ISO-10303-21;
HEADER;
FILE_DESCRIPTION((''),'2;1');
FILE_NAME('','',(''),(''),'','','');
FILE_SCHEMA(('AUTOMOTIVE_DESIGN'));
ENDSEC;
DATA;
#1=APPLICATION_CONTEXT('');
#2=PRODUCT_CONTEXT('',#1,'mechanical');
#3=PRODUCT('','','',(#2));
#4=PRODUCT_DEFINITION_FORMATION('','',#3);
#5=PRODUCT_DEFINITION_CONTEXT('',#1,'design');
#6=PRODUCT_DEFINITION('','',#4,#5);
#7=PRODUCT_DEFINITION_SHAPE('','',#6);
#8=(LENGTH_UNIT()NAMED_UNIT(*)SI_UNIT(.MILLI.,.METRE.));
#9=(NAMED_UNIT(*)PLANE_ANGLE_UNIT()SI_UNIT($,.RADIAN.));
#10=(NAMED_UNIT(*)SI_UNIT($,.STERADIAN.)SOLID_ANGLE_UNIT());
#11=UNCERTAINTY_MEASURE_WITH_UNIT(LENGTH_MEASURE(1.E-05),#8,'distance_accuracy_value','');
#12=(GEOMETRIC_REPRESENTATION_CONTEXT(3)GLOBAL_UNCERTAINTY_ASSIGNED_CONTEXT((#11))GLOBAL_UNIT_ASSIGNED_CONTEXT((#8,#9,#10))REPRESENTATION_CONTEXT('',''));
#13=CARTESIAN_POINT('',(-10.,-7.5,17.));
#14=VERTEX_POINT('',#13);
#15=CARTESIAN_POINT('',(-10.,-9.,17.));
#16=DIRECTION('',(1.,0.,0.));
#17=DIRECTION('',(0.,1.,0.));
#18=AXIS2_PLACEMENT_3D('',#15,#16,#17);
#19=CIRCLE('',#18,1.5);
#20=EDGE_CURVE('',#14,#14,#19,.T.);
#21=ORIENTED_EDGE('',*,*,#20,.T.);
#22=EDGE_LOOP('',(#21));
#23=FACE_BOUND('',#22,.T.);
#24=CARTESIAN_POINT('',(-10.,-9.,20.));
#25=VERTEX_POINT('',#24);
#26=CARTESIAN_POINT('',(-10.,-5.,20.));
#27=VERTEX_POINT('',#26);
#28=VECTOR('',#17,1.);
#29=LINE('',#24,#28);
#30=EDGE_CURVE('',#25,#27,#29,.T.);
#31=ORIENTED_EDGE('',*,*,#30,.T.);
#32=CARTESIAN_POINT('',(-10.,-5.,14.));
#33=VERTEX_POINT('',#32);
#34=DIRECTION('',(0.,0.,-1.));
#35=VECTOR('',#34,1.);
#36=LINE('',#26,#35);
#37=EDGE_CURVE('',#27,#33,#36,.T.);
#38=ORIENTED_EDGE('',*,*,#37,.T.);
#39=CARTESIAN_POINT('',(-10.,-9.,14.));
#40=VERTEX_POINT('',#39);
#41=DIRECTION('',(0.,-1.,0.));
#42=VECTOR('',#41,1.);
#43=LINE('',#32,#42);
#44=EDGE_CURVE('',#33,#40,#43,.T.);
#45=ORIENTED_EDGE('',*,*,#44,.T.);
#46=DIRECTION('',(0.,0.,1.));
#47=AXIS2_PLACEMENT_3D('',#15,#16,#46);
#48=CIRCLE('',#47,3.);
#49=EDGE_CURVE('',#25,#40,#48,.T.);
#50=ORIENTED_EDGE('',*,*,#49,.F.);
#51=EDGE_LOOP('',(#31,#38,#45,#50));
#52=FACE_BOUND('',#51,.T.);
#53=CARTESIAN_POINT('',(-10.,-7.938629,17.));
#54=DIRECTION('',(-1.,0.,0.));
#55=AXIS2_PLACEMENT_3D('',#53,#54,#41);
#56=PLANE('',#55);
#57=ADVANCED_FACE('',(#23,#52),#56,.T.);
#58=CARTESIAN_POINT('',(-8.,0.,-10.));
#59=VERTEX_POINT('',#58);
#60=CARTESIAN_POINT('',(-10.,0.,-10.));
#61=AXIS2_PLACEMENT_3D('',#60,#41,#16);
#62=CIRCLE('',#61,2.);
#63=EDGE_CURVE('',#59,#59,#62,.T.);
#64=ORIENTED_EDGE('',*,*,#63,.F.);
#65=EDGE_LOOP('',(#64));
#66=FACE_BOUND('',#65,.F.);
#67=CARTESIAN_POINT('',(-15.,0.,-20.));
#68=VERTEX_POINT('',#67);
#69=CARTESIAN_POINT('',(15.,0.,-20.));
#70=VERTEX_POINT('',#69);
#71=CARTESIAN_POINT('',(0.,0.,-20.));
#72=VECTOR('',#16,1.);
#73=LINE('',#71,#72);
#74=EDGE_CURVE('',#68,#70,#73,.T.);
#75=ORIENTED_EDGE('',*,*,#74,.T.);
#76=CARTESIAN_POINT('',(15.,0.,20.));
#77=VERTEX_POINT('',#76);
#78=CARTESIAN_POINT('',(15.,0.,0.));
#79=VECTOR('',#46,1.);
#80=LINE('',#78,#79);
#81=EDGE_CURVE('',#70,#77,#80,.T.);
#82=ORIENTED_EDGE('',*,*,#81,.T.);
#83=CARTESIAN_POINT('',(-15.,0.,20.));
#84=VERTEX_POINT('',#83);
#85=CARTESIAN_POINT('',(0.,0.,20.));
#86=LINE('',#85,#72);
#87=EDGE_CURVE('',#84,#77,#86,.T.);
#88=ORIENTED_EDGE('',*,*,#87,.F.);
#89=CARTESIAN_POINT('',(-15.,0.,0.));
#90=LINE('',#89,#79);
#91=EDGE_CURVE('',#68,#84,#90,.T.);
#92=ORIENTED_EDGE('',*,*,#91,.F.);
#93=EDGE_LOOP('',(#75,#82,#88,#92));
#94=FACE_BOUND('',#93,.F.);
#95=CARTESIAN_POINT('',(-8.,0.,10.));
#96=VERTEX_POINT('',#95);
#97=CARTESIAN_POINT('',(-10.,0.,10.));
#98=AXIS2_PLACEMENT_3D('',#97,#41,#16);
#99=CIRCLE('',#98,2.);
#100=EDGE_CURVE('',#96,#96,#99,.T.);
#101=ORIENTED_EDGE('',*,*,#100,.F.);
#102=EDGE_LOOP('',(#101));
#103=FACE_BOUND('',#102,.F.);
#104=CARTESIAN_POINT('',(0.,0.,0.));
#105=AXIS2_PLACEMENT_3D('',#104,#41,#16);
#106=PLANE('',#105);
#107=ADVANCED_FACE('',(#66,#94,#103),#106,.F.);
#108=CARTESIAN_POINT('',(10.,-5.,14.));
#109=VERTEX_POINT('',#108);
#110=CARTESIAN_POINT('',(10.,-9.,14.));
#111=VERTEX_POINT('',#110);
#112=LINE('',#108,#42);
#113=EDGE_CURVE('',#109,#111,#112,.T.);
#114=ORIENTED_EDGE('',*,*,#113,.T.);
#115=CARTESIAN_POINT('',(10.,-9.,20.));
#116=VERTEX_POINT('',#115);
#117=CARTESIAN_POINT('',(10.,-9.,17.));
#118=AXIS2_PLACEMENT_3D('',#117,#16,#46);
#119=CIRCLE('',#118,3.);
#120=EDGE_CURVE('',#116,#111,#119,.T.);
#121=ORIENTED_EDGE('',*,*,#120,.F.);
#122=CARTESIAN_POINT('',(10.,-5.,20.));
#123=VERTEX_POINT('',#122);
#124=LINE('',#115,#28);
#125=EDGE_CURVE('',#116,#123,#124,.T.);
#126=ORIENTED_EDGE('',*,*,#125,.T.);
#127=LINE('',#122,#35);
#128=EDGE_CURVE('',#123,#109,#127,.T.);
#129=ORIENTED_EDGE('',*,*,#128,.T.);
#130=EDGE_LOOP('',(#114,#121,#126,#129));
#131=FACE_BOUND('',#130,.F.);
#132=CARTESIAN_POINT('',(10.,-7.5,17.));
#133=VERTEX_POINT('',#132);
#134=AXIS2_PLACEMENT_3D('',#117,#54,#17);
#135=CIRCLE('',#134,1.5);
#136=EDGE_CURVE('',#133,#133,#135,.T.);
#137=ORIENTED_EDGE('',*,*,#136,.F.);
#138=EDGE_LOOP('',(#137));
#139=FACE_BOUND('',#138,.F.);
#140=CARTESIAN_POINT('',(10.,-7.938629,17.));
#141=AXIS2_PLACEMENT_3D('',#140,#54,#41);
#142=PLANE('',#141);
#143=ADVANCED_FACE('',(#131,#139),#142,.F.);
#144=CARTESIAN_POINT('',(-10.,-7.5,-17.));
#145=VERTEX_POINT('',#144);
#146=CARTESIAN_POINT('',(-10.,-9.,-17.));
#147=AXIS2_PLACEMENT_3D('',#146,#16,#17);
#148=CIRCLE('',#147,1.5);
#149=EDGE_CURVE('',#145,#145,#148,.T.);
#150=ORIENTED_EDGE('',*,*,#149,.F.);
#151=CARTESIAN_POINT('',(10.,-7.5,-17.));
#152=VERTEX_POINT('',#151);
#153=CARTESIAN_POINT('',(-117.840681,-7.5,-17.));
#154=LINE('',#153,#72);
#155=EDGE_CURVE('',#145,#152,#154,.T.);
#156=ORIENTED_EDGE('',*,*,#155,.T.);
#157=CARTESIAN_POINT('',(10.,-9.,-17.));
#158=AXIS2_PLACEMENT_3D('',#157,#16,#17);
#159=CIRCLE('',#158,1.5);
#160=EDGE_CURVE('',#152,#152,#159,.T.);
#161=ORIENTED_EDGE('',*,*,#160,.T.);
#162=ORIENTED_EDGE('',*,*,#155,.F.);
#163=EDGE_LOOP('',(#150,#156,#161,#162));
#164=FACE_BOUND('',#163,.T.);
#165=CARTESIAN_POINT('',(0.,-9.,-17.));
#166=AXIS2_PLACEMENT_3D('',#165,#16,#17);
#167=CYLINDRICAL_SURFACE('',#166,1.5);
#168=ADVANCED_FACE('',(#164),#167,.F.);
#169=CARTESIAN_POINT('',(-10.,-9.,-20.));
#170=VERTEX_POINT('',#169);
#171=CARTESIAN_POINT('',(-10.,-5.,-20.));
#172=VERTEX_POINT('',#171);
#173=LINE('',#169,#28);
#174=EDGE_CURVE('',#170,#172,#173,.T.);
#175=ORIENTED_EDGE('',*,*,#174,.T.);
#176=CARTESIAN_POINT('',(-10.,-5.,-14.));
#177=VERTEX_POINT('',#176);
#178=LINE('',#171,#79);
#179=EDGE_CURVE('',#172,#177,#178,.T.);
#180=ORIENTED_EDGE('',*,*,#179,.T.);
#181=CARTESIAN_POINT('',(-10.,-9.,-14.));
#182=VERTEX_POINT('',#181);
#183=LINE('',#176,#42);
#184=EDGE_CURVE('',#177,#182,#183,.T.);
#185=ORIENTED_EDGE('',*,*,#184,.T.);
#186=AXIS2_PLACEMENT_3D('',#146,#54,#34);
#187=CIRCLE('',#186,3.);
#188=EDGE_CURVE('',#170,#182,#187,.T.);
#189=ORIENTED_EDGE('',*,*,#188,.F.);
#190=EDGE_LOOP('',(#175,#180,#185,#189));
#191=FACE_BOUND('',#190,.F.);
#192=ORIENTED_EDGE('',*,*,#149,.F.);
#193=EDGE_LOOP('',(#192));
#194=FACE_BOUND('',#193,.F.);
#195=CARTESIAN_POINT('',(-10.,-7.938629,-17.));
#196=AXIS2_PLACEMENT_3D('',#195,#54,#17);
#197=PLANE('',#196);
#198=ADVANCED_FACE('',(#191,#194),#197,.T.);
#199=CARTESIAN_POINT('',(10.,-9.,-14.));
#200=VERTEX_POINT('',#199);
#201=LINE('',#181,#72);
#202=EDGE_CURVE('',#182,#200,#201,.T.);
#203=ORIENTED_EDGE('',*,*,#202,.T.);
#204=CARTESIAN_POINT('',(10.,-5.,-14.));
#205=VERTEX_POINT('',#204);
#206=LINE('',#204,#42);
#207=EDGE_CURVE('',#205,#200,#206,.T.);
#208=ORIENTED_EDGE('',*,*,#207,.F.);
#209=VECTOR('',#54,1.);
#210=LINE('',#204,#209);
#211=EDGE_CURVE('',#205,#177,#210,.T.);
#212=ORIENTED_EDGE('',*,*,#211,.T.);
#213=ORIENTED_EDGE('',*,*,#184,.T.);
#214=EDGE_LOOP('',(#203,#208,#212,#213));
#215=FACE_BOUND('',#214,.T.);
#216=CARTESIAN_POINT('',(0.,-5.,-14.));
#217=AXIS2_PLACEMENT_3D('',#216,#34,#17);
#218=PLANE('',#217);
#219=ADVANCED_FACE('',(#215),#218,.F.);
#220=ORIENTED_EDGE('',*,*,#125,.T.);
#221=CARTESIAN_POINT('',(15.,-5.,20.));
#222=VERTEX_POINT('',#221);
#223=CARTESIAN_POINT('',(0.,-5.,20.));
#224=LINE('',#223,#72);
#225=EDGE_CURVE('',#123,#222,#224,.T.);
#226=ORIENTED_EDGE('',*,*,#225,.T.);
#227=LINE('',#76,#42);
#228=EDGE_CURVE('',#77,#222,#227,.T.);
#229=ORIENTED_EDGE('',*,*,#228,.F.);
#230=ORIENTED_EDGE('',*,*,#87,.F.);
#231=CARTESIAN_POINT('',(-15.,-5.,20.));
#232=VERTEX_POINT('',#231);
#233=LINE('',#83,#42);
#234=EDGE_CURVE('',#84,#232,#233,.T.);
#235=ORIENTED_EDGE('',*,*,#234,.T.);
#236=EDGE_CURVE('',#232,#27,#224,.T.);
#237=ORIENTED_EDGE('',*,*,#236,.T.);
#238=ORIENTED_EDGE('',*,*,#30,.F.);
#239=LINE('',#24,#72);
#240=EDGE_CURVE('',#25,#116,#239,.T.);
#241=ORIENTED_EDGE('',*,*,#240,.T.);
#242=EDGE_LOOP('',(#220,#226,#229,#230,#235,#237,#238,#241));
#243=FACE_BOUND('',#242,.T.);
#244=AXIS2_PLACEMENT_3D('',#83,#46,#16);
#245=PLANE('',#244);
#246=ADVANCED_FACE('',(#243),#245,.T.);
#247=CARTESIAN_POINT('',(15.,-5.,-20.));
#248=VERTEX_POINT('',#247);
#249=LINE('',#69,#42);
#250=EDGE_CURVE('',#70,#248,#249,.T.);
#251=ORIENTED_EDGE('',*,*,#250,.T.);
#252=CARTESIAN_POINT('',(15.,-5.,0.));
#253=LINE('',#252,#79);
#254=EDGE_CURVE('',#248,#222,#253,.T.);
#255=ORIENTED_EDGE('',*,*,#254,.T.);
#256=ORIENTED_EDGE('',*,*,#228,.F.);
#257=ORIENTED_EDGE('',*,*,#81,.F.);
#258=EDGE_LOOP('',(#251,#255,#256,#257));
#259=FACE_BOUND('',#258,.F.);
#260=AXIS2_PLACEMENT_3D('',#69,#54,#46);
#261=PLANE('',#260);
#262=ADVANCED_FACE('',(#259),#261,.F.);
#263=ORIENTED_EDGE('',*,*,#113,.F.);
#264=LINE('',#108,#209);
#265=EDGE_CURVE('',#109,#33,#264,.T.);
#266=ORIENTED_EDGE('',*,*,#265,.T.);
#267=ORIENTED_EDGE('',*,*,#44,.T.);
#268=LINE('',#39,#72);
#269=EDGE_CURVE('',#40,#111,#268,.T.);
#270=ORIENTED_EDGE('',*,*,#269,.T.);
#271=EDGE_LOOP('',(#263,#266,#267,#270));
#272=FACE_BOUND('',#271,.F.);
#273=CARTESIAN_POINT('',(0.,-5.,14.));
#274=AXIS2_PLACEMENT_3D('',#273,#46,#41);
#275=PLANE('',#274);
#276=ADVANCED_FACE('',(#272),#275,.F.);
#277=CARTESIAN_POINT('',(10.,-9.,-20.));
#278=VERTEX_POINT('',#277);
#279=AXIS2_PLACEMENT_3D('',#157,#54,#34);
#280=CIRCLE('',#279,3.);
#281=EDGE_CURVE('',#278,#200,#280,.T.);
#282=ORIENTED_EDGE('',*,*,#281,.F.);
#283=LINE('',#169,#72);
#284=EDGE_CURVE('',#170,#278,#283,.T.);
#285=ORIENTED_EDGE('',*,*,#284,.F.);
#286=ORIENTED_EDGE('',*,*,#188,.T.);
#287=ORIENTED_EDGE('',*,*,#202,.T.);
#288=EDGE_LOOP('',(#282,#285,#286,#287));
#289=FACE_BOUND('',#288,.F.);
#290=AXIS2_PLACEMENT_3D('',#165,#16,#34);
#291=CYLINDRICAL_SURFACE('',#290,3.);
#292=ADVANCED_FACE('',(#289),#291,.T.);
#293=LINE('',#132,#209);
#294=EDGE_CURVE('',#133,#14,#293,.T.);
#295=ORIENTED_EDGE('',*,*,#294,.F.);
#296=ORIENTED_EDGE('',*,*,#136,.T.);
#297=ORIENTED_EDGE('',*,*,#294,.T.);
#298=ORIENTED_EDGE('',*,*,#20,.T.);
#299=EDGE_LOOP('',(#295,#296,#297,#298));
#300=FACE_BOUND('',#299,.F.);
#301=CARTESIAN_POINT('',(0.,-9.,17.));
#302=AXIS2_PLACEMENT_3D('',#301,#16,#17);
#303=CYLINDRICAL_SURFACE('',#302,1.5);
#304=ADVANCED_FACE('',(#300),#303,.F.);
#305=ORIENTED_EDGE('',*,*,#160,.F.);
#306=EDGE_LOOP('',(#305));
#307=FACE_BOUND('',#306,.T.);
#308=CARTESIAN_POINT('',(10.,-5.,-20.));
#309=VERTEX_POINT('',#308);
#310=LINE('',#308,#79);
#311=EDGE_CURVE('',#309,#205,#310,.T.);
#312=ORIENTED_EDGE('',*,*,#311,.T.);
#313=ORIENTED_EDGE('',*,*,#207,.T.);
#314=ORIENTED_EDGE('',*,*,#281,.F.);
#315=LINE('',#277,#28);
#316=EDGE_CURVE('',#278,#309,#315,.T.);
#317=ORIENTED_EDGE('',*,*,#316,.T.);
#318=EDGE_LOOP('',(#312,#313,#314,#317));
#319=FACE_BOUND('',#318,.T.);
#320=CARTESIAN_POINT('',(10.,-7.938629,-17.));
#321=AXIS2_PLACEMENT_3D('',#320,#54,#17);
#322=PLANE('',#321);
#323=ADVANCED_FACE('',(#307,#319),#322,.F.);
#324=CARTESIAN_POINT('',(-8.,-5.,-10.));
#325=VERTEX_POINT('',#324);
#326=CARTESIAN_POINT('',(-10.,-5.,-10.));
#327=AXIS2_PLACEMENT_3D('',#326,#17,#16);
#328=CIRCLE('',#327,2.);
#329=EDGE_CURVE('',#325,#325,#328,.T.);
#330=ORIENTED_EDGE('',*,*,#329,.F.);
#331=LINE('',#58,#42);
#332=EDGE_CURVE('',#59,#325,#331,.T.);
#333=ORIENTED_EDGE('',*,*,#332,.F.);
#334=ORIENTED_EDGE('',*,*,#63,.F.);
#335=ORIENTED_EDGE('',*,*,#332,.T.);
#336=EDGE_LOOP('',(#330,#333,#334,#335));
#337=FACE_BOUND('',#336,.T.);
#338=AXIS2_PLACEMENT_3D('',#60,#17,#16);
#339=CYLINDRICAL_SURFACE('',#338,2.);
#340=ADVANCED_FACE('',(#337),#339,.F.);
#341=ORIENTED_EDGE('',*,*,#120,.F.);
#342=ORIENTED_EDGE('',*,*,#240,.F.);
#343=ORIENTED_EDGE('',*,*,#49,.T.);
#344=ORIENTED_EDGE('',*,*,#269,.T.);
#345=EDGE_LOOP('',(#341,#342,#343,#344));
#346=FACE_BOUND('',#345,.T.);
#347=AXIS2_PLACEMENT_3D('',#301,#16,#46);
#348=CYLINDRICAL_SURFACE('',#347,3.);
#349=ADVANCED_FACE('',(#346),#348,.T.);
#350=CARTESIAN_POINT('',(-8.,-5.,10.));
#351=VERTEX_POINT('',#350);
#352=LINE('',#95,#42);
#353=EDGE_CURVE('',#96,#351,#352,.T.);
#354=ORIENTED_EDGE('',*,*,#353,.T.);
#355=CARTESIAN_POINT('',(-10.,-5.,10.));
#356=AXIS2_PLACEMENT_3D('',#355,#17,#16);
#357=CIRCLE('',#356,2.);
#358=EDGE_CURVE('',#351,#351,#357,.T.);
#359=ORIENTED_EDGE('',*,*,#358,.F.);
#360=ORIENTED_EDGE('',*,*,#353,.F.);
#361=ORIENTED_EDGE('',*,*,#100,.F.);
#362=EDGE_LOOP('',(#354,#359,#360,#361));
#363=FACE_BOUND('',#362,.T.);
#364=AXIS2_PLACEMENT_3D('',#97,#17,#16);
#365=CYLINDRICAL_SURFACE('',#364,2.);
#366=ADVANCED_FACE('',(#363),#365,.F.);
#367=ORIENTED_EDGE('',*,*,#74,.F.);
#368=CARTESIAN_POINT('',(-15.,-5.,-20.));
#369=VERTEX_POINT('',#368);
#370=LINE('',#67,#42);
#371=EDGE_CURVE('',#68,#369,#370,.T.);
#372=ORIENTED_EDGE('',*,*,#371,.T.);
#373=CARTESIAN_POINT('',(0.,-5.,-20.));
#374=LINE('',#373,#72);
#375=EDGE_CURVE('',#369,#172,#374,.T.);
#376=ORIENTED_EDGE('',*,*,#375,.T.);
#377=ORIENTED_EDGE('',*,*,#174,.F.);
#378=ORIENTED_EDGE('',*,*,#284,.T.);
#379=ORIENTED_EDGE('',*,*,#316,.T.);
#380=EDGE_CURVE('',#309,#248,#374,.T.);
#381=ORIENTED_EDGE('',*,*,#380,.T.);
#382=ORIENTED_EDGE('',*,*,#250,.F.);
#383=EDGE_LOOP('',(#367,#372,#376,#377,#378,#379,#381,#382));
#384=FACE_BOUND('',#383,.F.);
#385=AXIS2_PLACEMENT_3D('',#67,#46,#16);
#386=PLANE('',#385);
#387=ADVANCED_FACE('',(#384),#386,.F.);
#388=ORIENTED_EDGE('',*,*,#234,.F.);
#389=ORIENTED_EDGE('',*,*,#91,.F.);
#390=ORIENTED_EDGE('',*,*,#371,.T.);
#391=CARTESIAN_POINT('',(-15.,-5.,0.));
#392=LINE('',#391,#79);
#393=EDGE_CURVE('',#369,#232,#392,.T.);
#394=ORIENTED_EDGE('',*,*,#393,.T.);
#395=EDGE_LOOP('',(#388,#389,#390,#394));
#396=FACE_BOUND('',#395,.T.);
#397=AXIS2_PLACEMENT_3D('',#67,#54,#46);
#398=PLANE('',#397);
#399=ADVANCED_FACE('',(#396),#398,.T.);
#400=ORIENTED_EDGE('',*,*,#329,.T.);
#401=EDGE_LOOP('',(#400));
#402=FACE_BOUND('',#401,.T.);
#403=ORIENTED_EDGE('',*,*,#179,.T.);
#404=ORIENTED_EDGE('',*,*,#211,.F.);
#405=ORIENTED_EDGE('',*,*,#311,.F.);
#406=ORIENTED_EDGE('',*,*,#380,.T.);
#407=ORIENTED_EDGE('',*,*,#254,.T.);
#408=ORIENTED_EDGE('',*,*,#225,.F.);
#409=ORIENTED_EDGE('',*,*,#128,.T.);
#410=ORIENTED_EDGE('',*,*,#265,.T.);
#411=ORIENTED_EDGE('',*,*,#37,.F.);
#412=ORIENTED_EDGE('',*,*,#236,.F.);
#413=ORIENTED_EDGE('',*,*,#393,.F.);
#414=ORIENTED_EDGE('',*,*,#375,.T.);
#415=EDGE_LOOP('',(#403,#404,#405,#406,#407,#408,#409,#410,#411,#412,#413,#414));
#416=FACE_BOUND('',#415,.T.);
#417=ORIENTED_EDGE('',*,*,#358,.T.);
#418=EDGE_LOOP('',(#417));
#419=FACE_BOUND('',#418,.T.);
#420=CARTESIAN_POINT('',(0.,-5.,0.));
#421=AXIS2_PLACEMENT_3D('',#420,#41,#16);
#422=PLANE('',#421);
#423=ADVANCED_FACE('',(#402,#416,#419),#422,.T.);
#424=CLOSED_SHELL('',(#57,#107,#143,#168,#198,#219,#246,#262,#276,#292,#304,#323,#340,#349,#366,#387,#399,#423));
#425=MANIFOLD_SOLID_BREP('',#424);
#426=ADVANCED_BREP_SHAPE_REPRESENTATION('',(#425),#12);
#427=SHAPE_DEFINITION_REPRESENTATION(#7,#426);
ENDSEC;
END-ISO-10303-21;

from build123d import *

# Parameters (mm, degrees)
SKETCH_W          = 30
SKETCH_H          = 40
PAD_DEPTH         = 5
PAD001_DEPTH      = 10
SKETCH002_R       = 1.5
POCKET_DEPTH      = 117.840681
POCKET_DEPTH_BACK = 117.840681
SKETCH003_R       = 2
POCKET001_DEPTH   = 12.001


with BuildPart() as part:
    # Sketch (on DatumPlane) → Pad (new body)
    with BuildSketch(Plane.XZ):
        Rectangle(SKETCH_W, SKETCH_H)
    extrude(amount=PAD_DEPTH)

    # Sketch001 (on DatumPlane) → Pad001 (join, symmetric)
    with BuildSketch(Plane.YZ):
        with BuildLine():
            Line((-9, 20), (-5, 20))
            Line((-5, 20), (-5, 14))
            Line((-5, 14), (-9, 14))
            ThreePointArc((-9, 20), (-12, 17), (-9, 14))
        make_face()
    pad001 = extrude(amount=PAD001_DEPTH, both=True)

    # Sketch002 (on DatumPlane) → Pocket (cut, two sides)
    with BuildSketch(Plane.YZ) as pocket_sk:
        with Locations((-9, 17)):
            Circle(SKETCH002_R)
    pocket = extrude(amount=-POCKET_DEPTH, mode=Mode.SUBTRACT) + extrude(pocket_sk.sketch, amount=POCKET_DEPTH_BACK, mode=Mode.SUBTRACT)

    # Mirrored: Pad001, Pocket across XY
    add(pad001.mirror(Plane.XY))
    add(pocket.mirror(Plane.XY), mode=Mode.SUBTRACT)

    # Sketch003 (on DatumPlane) → Pocket001 (cut, through all)
    with BuildSketch(Plane.XZ):
        with Locations((-10, 10)):
            Circle(SKETCH003_R)
        with Locations((-10, -10)):
            Circle(SKETCH003_R)
    extrude(amount=POCKET001_DEPTH, mode=Mode.SUBTRACT)


solid = part.part
